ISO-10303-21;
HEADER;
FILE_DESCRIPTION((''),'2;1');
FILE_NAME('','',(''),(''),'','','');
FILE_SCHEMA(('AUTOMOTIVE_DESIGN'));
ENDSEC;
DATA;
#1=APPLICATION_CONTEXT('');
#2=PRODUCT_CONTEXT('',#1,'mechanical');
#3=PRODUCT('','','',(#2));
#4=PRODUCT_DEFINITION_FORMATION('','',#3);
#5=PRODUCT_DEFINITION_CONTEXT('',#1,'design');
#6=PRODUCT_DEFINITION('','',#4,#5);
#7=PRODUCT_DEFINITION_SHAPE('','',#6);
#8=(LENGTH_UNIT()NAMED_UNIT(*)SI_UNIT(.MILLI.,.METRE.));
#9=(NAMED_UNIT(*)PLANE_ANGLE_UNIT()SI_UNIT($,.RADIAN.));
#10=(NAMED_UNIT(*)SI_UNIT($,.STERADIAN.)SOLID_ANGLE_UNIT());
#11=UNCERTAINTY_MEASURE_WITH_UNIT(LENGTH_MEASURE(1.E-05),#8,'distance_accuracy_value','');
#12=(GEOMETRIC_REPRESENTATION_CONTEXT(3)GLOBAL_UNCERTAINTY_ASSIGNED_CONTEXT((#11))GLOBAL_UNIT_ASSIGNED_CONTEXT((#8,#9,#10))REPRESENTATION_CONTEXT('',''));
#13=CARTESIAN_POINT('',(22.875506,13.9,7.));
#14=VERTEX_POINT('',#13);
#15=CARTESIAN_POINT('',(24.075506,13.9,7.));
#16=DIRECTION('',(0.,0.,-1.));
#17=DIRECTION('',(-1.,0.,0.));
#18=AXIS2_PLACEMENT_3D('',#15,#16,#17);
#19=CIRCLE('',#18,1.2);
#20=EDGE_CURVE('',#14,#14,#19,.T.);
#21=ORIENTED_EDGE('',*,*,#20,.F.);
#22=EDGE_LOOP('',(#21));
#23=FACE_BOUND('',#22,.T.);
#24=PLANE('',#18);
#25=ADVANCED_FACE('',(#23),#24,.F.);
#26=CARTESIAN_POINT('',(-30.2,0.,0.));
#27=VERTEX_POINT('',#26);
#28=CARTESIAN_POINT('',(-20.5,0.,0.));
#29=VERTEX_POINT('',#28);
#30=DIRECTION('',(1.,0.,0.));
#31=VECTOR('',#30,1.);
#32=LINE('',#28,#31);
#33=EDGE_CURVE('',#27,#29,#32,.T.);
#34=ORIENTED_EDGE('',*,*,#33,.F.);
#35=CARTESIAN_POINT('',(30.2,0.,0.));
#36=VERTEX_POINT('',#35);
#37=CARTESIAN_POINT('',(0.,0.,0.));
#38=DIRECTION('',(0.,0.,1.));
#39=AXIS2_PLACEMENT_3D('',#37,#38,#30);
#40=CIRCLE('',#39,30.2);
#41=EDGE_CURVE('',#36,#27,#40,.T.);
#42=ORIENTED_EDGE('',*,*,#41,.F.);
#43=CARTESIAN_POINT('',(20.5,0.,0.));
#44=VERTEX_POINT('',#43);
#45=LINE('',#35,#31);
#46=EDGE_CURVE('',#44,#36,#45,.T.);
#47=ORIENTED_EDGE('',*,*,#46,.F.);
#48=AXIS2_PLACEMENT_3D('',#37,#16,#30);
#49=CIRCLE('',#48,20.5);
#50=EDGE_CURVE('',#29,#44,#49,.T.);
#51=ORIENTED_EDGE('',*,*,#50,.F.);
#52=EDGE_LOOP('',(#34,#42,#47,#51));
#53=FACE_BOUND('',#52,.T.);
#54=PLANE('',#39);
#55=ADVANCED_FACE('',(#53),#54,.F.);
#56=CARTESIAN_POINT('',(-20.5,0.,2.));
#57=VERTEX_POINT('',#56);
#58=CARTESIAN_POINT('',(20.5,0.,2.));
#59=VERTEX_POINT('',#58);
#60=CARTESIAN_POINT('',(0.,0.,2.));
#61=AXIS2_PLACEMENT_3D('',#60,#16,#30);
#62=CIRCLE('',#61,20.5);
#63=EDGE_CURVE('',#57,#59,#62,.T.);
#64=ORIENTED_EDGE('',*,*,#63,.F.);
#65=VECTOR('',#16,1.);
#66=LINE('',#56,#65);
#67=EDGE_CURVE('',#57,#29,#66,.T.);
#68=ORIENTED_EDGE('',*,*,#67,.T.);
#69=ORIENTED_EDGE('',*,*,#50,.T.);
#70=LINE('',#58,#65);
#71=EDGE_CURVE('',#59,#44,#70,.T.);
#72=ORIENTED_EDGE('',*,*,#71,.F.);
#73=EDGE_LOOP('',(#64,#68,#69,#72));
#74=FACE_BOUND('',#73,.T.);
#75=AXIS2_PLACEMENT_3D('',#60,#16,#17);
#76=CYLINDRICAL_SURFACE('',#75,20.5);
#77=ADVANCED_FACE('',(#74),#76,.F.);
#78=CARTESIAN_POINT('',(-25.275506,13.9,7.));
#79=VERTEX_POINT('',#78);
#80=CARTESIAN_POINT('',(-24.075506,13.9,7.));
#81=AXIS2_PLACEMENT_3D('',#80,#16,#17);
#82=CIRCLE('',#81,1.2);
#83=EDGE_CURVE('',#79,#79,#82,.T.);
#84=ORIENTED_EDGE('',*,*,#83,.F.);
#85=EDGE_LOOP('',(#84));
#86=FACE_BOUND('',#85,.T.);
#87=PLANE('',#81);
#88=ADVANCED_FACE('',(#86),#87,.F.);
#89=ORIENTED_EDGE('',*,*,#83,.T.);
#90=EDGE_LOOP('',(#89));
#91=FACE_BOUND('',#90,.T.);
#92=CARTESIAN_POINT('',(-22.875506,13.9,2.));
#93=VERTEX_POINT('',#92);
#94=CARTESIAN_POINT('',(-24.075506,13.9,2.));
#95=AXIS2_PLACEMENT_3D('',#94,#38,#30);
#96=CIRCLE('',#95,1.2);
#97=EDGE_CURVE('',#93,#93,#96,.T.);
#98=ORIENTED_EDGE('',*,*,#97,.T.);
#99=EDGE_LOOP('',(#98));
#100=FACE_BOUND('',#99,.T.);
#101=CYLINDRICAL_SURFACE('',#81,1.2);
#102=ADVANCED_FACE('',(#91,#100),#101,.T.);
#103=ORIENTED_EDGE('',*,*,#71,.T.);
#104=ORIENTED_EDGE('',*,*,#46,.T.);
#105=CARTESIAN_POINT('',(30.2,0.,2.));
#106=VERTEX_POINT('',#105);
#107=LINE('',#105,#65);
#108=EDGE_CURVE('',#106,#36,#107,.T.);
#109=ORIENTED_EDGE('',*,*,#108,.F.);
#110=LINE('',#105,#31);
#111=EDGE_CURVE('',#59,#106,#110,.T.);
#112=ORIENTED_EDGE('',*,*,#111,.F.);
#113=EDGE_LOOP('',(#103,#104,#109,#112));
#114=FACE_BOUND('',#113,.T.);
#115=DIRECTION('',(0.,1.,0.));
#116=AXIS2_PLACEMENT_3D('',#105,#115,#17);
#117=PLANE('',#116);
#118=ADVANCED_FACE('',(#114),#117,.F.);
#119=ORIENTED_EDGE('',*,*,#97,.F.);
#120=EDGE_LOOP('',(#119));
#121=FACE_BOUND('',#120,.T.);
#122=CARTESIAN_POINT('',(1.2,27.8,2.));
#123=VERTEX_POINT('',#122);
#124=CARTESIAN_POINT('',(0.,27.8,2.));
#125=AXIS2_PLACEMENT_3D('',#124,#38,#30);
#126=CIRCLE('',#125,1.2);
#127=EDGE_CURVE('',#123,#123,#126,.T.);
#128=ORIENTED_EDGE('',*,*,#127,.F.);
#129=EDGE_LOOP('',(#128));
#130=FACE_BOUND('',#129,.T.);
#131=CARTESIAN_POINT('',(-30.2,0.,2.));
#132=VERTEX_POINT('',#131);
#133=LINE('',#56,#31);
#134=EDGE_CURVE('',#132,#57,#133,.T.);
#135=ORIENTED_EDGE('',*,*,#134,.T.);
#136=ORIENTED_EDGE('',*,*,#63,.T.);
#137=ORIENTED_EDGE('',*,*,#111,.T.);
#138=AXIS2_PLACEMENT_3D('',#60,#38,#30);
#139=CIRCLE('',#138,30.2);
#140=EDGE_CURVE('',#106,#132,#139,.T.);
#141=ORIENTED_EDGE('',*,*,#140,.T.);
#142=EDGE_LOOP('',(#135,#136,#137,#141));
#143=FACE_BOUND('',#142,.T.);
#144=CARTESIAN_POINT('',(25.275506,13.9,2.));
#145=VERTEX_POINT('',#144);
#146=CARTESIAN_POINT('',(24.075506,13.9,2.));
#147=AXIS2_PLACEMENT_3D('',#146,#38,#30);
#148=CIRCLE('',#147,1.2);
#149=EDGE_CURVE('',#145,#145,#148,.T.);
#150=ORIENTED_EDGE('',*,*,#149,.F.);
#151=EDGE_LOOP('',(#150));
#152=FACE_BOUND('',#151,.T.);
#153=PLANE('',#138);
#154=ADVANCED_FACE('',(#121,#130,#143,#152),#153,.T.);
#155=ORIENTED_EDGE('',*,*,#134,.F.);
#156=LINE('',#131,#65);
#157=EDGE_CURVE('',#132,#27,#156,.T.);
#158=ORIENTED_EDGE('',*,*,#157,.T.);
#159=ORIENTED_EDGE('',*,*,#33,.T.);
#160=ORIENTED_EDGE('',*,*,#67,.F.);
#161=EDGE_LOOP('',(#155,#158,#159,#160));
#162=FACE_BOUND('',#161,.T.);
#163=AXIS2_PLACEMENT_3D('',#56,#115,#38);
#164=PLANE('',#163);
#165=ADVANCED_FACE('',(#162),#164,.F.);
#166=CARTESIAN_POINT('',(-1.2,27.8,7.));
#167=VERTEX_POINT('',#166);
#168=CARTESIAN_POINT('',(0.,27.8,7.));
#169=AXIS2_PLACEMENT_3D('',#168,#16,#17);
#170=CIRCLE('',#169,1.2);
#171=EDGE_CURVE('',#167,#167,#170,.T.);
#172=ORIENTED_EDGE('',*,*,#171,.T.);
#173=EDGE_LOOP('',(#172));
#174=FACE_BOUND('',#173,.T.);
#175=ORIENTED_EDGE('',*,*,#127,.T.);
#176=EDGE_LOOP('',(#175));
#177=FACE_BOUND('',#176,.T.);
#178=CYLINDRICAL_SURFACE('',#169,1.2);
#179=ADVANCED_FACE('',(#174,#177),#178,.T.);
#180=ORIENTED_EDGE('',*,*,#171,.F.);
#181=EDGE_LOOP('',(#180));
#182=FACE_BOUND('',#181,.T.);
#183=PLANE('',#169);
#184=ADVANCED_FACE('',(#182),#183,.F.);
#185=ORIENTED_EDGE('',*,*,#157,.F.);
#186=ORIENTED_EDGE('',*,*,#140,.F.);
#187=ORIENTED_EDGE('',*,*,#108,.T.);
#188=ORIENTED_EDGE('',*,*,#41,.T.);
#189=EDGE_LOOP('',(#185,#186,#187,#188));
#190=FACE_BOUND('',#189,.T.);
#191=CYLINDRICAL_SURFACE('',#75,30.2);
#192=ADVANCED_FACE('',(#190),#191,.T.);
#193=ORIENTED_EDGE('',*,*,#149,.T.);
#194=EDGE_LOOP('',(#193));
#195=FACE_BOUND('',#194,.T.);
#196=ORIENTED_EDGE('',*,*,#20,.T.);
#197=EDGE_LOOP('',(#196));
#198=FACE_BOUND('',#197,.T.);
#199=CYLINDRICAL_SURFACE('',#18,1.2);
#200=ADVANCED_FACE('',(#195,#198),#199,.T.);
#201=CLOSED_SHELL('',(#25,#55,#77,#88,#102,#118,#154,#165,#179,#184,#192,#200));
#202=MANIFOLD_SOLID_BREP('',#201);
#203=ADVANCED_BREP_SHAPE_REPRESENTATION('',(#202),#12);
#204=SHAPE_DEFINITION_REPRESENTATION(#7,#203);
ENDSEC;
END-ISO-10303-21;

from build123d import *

# Parameters (mm, degrees)
BOSS_EXTRUDE1_DEPTH = 2
SKETCH4_R           = 1.2
BOSS_EXTRUDE2_DEPTH = 7


with BuildPart() as part:
    # Sketch3 → Boss-Extrude1 (new body)
    with BuildSketch(Plane.XY):
        with BuildLine():
            Line((30.2, 0), (20.5, 0))
            ThreePointArc((20.5, 0), (0, 20.5), (-20.5, 0))
            Line((-20.5, 0), (-30.2, 0))
            ThreePointArc((-30.2, 0), (0, 30.2), (30.2, 0))
        make_face()
    extrude(amount=BOSS_EXTRUDE1_DEPTH)

    # Sketch4 → Boss-Extrude2 (add)
    with BuildSketch(Plane(origin=(0, 0, 0), x_dir=(-1, 0, 0), z_dir=(0, 0, -1))):
        with Locations((0, 27.800000001)):
            Circle(SKETCH4_R)
        with Locations((24.075506226, 13.9)):
            Circle(SKETCH4_R)
        with Locations((-24.075506226, 13.9)):
            Circle(SKETCH4_R)
    extrude(amount=-BOSS_EXTRUDE2_DEPTH)


solid = part.part
